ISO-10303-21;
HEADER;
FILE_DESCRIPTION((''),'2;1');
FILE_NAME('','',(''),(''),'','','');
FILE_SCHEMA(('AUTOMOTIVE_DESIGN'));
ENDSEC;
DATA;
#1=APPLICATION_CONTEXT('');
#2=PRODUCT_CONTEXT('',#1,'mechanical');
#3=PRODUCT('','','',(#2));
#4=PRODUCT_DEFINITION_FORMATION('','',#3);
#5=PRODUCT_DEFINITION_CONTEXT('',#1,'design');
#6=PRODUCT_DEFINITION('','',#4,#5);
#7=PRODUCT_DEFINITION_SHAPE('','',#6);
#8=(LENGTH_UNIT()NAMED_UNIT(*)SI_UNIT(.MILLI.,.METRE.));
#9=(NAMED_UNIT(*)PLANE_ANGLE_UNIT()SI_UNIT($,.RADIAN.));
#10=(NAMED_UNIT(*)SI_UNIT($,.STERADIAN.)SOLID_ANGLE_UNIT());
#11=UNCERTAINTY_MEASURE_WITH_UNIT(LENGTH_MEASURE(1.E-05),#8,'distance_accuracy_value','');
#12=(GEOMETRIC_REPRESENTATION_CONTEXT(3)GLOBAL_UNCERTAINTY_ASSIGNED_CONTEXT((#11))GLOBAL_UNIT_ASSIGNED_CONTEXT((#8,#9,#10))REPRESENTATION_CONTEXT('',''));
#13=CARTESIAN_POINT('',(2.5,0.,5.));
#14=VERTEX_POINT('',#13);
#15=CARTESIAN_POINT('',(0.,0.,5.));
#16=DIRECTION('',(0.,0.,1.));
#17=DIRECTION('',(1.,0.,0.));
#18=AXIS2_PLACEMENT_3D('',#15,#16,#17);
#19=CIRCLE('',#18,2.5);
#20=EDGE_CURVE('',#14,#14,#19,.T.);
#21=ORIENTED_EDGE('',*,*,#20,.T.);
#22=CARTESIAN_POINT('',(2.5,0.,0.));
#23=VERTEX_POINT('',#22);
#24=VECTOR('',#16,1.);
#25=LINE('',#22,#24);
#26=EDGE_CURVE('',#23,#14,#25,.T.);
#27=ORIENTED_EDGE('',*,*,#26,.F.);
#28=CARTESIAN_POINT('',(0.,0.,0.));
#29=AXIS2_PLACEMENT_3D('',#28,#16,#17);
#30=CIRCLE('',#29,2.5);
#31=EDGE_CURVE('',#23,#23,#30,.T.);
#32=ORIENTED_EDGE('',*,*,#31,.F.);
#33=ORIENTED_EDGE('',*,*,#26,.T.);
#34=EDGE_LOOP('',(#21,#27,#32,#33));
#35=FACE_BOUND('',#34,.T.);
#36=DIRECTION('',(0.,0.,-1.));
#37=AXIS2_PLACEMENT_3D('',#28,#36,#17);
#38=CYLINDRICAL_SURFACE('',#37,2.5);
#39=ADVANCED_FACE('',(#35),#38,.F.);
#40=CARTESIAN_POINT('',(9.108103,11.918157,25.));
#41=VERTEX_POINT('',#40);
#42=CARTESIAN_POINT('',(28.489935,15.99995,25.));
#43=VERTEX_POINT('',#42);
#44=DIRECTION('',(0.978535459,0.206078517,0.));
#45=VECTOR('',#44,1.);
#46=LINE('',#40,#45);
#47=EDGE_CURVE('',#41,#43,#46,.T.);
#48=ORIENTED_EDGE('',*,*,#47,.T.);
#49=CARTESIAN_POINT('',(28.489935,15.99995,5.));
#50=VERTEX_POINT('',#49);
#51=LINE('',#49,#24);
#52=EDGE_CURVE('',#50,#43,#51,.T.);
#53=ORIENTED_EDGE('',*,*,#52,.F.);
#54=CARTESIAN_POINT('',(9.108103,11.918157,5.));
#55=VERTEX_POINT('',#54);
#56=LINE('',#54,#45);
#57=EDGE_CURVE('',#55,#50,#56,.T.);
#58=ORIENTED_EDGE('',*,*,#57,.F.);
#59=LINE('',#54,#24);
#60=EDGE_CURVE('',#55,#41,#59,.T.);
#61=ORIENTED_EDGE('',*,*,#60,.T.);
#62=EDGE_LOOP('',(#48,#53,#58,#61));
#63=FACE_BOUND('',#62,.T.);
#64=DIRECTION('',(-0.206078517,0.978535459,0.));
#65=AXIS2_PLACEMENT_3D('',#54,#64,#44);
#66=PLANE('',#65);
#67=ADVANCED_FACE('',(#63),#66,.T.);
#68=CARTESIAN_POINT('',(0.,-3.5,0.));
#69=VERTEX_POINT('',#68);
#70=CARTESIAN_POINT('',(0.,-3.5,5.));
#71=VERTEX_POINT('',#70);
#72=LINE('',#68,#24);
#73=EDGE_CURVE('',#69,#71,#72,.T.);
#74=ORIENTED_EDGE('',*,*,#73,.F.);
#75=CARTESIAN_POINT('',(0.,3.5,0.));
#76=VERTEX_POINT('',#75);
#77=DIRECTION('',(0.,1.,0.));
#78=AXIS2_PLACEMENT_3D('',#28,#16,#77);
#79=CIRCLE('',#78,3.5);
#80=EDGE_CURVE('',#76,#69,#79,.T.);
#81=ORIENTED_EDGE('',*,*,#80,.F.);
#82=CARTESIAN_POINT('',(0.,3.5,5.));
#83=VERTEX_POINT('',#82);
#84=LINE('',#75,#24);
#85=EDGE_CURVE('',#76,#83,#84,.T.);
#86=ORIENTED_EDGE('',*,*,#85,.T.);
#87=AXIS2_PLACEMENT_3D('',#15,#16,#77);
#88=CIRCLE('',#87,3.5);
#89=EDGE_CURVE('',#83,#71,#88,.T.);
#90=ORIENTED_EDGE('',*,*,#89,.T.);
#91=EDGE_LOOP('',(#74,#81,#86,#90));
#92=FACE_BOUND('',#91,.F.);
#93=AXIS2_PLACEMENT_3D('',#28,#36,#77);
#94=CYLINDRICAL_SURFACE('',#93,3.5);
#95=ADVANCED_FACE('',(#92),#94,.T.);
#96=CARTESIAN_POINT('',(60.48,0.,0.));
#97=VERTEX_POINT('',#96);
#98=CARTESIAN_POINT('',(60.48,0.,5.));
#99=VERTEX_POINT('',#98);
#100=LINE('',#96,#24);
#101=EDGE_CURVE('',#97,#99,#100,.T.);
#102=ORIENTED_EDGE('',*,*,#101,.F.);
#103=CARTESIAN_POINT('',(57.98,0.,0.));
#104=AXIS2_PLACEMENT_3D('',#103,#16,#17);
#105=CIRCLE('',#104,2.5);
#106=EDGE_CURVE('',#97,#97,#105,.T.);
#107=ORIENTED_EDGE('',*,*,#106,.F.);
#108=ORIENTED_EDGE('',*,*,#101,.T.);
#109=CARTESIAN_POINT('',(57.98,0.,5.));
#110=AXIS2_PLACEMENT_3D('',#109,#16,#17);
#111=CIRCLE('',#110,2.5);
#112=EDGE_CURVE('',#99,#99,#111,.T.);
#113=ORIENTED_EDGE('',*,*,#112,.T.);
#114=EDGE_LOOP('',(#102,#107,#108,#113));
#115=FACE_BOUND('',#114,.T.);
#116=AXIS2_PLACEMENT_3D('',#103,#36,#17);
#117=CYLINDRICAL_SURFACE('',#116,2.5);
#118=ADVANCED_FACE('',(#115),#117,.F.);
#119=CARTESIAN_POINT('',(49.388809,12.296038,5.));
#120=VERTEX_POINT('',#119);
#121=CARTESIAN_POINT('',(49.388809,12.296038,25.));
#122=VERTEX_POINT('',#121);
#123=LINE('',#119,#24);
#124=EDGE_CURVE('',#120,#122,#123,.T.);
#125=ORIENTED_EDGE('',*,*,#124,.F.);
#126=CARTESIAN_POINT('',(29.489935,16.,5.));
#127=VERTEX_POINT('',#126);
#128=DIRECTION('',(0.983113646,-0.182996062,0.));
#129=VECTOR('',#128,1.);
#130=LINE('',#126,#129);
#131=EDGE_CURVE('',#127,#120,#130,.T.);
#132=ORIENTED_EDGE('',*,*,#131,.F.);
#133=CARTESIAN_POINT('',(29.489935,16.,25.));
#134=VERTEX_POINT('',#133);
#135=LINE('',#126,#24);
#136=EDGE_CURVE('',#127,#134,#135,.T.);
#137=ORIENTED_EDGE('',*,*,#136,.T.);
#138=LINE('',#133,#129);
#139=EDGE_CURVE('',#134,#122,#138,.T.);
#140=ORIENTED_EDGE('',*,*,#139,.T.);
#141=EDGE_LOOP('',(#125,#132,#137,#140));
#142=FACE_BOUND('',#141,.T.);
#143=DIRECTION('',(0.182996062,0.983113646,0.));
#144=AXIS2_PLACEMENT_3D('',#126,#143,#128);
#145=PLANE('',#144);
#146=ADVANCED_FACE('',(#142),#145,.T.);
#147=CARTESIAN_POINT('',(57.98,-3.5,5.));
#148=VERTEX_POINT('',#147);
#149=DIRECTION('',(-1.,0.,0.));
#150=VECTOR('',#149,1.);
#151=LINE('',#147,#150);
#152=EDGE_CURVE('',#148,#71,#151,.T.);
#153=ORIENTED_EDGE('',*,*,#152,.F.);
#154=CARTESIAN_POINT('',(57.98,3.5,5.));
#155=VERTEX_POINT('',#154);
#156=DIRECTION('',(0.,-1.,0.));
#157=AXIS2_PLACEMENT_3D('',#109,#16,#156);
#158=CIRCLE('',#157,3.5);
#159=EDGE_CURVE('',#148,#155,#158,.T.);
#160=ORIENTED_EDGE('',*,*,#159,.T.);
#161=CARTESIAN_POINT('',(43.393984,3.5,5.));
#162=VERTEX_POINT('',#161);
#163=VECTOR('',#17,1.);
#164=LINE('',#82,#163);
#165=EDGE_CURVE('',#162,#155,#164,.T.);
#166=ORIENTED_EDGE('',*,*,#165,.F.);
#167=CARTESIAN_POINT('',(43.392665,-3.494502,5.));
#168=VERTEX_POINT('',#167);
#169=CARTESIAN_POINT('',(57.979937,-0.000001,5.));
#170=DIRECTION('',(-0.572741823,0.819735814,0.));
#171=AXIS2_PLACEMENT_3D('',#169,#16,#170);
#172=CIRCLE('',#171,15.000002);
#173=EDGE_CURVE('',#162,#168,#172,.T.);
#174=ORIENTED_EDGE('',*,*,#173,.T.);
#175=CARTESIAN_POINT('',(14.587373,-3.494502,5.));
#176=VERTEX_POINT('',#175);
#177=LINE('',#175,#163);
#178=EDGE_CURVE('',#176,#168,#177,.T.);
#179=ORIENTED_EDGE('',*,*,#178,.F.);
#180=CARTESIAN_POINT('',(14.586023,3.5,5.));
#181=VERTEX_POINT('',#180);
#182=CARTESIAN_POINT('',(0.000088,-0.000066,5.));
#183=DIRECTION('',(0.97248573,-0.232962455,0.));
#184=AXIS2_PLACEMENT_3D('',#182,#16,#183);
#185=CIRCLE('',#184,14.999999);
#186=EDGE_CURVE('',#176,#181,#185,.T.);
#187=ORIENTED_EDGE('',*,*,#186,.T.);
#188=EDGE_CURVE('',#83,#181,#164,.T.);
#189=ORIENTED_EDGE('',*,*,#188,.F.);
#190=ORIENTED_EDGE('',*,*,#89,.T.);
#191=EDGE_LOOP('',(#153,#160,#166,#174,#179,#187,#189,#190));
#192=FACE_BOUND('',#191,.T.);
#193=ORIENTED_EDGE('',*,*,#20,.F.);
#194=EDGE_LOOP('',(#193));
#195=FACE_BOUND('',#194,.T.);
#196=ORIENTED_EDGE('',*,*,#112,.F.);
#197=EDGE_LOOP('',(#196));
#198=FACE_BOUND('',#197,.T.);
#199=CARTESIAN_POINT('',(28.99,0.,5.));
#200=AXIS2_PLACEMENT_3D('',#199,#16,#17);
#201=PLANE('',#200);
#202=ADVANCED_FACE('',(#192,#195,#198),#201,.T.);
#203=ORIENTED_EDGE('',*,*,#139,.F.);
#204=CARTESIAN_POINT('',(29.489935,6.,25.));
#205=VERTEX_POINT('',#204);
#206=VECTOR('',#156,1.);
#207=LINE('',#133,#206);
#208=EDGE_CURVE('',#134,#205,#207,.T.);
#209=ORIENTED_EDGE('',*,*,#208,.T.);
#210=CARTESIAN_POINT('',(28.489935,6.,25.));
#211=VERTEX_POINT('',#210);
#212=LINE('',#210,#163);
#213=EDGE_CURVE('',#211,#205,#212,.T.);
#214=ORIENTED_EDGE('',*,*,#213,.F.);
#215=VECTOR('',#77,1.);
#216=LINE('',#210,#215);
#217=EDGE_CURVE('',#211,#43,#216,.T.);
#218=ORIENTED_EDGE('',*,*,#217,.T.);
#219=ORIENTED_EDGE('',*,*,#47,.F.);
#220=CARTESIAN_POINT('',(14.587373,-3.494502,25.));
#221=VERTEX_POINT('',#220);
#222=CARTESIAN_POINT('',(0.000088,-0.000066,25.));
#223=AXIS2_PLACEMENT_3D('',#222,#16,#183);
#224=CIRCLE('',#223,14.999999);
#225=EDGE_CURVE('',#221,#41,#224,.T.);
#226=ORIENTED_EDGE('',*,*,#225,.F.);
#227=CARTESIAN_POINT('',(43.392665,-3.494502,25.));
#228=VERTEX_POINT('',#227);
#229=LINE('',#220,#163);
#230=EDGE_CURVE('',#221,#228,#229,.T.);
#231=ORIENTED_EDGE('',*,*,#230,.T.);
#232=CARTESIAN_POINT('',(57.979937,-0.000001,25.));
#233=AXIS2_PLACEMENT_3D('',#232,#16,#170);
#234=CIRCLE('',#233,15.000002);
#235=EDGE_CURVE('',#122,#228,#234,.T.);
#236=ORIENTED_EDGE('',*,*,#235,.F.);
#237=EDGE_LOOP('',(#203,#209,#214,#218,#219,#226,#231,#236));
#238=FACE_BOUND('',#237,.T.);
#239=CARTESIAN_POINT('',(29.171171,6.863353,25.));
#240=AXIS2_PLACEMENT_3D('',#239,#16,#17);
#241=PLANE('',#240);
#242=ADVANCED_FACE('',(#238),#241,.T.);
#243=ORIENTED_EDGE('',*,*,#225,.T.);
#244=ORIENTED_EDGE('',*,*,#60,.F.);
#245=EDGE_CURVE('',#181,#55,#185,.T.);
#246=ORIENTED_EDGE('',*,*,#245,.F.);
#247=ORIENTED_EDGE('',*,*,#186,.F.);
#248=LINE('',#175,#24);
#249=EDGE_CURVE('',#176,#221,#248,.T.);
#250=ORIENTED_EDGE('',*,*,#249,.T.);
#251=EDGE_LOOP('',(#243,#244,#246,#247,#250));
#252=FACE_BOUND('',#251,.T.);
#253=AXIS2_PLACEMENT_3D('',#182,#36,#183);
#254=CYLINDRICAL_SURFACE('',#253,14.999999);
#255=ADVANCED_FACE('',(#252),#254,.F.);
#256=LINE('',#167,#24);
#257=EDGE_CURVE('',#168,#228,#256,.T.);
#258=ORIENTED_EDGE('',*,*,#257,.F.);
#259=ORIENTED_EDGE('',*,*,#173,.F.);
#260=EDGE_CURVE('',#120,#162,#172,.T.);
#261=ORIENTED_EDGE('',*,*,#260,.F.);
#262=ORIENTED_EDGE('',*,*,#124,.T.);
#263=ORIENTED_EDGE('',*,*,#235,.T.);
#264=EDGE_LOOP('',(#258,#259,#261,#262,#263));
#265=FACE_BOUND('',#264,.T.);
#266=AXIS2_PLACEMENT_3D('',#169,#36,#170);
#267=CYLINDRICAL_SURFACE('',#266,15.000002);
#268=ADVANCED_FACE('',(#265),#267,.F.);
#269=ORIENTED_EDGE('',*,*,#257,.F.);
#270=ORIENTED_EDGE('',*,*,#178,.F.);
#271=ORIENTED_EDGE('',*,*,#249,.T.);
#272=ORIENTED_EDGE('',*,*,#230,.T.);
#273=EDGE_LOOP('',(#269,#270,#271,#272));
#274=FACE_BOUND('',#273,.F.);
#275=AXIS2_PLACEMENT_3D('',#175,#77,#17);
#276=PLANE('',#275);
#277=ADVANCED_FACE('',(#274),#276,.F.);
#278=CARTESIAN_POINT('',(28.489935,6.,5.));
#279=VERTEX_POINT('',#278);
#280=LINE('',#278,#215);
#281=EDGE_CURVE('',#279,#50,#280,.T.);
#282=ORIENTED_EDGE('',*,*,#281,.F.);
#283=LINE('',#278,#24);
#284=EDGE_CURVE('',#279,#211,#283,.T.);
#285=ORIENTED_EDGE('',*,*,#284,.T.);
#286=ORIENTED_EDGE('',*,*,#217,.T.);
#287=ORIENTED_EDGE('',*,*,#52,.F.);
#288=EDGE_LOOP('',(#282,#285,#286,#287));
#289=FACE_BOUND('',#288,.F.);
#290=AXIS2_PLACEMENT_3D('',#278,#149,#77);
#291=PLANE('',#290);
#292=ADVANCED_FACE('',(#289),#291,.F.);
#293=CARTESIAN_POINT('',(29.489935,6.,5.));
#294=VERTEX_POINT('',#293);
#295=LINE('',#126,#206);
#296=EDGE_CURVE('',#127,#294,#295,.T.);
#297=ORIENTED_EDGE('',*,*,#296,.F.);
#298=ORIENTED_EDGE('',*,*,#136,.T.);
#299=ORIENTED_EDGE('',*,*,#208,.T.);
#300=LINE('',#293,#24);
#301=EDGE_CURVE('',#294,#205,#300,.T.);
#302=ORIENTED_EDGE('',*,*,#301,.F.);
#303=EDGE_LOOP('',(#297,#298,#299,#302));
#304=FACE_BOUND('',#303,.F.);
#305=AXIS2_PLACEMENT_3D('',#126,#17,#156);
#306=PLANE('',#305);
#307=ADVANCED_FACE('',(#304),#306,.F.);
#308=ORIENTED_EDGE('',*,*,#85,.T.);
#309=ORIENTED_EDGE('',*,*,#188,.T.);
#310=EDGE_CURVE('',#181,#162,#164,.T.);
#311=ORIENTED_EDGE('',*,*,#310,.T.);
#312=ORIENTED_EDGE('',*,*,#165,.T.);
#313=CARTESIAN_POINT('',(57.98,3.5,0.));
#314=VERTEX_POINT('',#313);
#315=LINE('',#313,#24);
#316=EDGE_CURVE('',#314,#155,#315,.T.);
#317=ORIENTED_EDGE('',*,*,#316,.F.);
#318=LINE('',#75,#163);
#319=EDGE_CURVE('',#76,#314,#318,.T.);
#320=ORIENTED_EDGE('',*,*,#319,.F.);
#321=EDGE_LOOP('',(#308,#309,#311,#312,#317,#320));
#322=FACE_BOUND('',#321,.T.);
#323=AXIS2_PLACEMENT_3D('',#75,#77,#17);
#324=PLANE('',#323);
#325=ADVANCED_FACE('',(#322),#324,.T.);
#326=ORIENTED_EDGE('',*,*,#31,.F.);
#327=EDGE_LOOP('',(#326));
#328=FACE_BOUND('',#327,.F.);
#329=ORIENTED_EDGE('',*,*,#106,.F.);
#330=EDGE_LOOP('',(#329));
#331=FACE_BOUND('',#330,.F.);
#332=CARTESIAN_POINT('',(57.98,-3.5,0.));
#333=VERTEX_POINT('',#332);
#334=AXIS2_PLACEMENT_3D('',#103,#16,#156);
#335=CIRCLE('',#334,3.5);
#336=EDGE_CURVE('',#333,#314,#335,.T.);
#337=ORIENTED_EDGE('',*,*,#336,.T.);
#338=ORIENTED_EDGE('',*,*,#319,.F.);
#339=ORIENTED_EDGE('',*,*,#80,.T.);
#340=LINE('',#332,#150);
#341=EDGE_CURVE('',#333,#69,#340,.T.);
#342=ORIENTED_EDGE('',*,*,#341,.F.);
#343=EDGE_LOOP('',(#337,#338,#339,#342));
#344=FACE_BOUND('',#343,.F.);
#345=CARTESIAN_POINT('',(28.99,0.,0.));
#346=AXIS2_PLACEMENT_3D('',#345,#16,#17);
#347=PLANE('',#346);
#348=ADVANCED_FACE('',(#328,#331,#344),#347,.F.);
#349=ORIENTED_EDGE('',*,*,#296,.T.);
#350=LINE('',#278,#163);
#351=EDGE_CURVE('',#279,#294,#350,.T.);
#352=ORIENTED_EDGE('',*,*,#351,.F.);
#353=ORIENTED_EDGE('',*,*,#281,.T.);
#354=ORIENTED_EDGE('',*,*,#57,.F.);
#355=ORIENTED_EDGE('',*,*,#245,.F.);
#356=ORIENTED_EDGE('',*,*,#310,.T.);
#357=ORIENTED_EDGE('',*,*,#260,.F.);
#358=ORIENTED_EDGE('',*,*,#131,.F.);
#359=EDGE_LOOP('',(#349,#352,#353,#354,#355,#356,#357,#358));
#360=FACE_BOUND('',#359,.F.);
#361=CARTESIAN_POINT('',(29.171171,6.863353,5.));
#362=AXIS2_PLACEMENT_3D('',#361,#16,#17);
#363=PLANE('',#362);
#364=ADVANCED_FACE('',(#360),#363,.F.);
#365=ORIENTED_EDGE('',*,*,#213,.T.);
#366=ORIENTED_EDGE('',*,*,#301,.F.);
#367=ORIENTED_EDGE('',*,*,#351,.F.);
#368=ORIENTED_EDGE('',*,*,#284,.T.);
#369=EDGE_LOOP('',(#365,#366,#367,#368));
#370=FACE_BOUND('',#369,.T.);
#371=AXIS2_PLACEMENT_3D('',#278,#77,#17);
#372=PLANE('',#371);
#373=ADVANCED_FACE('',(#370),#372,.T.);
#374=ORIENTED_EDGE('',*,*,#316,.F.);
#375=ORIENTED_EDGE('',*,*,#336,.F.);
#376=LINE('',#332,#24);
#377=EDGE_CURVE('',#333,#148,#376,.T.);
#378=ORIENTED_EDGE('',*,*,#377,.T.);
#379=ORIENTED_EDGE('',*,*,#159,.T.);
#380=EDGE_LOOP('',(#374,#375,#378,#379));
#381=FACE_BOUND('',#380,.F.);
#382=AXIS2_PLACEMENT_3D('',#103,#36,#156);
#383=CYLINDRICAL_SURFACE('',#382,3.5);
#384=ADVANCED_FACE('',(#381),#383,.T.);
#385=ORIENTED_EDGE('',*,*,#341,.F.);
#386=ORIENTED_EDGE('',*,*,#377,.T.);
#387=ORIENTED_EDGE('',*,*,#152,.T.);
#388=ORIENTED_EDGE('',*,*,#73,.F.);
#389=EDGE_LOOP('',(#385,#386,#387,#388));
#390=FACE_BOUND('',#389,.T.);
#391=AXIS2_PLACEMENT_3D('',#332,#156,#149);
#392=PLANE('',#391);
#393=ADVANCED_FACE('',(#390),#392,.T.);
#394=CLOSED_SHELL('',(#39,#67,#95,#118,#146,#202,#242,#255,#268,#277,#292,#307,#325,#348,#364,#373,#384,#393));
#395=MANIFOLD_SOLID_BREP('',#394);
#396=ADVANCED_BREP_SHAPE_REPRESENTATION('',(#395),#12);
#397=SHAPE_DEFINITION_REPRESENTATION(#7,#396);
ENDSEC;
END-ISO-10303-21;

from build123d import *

# Parameters (mm, degrees)
SKETCH_R     = 2.5
PAD_DEPTH    = 5
PAD001_DEPTH = 20


with BuildPart() as part:
    # Sketch → Pad (new body)
    with BuildSketch(Plane.XY):
        with BuildLine():
            ThreePointArc((0, 3.5), (-3.5, 0), (0, -3.5))
            Line((57.98, -3.5), (0, -3.5))
            ThreePointArc((57.98, -3.5), (61.48, 0), (57.98, 3.5))
            Line((0, 3.5), (57.98, 3.5))
        make_face()
        Circle(SKETCH_R, mode=Mode.SUBTRACT)
        with Locations((57.98, 0)):
            Circle(SKETCH_R, mode=Mode.SUBTRACT)
    extrude(amount=PAD_DEPTH)

    # Sketch001 (on Face8 of Pad) → Pad001 (join)
    with BuildSketch(Plane.XY.offset(5)):
        with BuildLine():
            Line((29.489935, 16), (29.489935, 6))
            Line((28.489935, 6), (29.489935, 6))
            Line((28.489935, 6), (28.489935, 15.99995))
            Line((9.108103, 11.918157), (28.489935, 15.99995))
            ThreePointArc((14.587373, -3.494502), (14.133535, 5.024439), (9.108103, 11.918157))
            Line((14.587373, -3.494502), (43.392665, -3.494502))
            ThreePointArc((49.388809, 12.296038), (43.956926, 5.32496), (43.392665, -3.494502))
            Line((29.489935, 16), (49.388809, 12.296038))
        make_face()
    extrude(amount=PAD001_DEPTH)


solid = part.part
